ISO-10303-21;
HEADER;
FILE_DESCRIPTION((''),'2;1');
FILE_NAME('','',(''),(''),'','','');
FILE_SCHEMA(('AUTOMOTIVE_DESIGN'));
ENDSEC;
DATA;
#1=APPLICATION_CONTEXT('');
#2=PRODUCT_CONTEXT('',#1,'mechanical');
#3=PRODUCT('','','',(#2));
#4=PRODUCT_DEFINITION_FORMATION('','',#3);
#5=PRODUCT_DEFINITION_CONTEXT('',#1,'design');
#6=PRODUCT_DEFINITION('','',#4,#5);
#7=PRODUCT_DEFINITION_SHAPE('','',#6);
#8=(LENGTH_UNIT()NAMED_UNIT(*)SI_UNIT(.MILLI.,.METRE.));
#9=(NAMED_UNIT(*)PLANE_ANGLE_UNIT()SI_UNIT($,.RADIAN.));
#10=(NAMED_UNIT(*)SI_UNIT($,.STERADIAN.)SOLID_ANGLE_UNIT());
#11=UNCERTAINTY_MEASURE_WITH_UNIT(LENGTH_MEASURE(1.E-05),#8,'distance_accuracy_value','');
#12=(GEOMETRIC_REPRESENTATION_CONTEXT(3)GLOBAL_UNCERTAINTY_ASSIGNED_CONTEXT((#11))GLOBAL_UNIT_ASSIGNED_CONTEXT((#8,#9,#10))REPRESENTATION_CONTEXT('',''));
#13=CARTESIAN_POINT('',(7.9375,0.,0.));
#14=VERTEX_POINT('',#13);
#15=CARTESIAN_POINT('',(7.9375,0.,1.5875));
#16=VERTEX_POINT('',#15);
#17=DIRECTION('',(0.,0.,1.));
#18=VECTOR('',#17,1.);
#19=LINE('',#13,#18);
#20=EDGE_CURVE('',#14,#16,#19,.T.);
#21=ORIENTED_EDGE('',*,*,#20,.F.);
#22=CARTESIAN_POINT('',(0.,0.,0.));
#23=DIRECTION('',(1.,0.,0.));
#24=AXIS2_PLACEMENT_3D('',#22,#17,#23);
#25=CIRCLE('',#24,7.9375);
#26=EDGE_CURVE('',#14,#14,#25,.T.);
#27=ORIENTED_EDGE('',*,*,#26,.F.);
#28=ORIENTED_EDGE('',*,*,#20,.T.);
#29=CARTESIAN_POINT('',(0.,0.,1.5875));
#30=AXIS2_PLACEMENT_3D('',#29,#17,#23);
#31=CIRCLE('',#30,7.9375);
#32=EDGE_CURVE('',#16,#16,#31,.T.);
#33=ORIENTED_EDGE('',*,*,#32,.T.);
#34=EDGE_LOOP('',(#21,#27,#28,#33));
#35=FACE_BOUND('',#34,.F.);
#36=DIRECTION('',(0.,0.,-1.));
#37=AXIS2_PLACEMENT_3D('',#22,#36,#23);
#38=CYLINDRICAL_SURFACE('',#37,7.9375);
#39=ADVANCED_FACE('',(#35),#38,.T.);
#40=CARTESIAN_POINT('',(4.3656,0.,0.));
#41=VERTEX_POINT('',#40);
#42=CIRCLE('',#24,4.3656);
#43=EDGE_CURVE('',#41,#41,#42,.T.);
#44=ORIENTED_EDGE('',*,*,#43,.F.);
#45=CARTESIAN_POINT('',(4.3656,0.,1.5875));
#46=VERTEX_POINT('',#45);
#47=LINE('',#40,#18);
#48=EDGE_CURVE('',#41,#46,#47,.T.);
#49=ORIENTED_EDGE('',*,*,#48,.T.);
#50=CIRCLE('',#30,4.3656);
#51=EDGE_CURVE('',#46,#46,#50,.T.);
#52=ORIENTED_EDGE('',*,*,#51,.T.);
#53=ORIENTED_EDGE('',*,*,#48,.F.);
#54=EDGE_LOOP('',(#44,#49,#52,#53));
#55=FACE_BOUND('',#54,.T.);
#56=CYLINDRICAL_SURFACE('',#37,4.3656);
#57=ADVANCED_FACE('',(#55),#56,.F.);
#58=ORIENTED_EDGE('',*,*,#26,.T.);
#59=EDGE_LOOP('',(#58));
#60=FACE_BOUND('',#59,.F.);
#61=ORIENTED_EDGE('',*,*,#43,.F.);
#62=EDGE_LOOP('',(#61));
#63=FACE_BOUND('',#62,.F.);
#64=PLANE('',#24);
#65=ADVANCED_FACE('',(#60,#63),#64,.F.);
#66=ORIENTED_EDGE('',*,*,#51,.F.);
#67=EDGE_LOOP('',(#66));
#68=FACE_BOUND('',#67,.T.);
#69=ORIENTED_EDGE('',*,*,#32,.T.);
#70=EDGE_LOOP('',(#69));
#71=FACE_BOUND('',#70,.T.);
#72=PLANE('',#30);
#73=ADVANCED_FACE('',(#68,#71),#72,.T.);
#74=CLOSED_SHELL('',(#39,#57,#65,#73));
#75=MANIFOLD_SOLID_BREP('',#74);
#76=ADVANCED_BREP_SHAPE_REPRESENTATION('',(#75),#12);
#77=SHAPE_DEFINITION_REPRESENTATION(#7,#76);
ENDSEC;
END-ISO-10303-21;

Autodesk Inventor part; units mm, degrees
ref_plane "YZ Plane" through (0, 0, 0) normal (1, 0, 0) x (0, 1, 0)
ref_plane "XZ Plane" through (0, 0, 0) normal (0, 1, 0) x (-1, 0, 0)
ref_plane "XY Plane" through (0, 0, 0) normal (0, 0, 1) x (1, 0, 0)
sketch "Sketch1" plane through (0, 0, 0) normal (0, 0, 1) x (1, 0, 0)
  circle A0 centre (0, 0) radius 4.3656
  circle A1 centre (0, 0) radius 7.9375
  dimension "d0" = 15.875
  dimension "d1" = 8.7312
extrude "Extrusion1" add sketch "Sketch1" along normal blind 1.5875
properties material "Steel"
